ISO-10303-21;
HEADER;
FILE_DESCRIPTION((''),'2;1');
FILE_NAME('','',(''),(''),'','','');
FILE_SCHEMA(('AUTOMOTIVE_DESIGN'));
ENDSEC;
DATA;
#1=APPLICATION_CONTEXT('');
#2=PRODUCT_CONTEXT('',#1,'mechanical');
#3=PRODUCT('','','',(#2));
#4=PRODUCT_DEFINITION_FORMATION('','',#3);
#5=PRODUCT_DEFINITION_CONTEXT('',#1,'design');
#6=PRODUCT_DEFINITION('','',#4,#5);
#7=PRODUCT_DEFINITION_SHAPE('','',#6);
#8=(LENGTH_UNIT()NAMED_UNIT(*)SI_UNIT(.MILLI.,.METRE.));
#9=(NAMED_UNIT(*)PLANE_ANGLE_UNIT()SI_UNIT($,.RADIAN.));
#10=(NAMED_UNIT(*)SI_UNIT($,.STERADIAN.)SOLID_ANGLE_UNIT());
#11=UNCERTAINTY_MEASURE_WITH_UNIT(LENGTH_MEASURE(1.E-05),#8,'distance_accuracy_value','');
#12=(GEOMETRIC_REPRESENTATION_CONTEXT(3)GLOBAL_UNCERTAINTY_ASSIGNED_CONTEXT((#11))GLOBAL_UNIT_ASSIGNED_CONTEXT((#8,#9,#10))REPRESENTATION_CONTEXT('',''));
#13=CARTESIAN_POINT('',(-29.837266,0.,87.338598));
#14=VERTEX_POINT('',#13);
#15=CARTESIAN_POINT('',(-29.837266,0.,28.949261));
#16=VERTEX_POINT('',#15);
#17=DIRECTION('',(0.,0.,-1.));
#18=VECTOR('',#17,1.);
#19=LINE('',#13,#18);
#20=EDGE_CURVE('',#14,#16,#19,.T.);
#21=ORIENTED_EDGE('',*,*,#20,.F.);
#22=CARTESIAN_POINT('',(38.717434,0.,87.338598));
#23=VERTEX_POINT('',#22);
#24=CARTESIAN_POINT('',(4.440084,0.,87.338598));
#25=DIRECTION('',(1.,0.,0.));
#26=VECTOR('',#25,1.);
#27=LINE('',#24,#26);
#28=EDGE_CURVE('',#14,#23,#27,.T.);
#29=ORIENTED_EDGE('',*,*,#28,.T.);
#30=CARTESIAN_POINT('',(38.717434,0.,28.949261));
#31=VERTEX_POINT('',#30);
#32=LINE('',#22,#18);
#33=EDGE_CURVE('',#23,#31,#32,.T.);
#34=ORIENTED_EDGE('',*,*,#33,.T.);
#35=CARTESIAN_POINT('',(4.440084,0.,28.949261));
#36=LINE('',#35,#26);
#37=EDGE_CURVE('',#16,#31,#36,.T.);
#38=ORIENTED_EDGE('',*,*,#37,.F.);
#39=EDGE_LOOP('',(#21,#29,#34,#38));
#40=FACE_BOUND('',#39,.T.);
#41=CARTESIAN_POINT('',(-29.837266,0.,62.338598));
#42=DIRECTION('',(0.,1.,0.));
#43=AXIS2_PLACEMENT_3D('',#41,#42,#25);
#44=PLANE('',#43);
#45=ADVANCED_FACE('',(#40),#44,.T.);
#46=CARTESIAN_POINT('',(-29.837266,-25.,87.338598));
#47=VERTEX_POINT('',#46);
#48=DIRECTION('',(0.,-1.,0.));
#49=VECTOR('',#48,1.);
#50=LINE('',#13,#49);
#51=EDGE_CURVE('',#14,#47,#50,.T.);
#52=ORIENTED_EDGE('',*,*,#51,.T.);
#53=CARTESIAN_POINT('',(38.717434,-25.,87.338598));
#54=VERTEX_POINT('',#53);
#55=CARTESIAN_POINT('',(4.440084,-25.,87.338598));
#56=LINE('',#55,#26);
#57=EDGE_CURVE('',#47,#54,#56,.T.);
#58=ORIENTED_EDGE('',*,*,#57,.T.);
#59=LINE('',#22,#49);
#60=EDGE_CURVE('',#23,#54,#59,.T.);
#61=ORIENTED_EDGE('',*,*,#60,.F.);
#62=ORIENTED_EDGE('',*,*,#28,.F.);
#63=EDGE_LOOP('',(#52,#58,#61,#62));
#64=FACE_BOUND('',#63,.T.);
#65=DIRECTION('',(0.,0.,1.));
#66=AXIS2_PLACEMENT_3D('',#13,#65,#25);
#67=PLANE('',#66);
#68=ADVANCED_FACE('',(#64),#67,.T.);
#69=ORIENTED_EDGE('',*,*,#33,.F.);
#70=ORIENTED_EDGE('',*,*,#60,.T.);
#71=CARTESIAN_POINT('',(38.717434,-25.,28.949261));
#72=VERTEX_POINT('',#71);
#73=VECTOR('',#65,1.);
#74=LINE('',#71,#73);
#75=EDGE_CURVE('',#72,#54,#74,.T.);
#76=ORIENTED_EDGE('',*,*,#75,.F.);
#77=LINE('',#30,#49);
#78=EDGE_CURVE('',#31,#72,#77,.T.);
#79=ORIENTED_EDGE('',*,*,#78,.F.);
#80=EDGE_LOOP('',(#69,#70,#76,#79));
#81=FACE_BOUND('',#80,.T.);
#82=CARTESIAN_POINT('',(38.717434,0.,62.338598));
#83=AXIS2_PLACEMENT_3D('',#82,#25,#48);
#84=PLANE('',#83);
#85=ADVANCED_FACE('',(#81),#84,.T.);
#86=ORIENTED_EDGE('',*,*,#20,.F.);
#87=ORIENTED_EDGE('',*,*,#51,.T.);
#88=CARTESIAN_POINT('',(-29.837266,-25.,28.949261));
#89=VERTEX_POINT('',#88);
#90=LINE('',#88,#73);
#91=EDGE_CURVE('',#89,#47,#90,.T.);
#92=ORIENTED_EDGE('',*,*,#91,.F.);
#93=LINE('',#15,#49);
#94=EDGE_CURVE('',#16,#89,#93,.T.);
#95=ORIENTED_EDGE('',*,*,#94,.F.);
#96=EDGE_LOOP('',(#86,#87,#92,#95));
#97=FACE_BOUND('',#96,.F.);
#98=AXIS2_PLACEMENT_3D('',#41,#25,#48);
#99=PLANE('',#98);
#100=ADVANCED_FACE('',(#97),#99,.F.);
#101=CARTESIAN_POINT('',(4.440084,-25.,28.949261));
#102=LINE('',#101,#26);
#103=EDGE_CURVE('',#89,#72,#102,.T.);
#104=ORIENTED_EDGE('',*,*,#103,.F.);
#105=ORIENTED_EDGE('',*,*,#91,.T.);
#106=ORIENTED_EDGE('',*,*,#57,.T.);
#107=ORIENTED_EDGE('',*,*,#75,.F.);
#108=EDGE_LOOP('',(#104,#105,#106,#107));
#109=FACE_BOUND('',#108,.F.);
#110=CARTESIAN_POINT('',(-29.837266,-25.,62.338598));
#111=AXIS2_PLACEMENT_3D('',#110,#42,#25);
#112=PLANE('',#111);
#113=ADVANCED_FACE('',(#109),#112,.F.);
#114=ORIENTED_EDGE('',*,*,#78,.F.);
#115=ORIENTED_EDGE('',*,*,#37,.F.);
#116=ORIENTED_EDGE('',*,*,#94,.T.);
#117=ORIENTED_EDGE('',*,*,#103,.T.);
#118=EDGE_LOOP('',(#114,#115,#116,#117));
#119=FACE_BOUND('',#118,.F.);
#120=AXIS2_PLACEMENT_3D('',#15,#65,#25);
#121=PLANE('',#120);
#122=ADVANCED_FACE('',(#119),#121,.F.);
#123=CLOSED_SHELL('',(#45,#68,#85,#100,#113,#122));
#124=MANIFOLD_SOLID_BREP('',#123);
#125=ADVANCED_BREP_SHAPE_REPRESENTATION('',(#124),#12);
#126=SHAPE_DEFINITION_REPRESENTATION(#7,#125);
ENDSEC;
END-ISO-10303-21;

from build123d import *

# Parameters (mm, degrees)
F0_W     = 68.5546994209
F0_H     = 33.3893373609
F1_DEPTH = 25
F2_DEPTH = 25


with BuildPart() as f1:
    # F0 (on Front) → F1 (new body)
    with BuildSketch(Plane.XZ):
        with Locations((4.4400840998, 45.6439293921)):
            Rectangle(F0_W, F0_H)
    extrude(amount=F1_DEPTH)

    # F2 (add): a face of the model
    f2_faces = [f1.faces().sort_by_distance(p)[0] for p in [
        (4.4400840998, -12.5, 62.3385980725),
    ]]
    extrude(f2_faces, amount=F2_DEPTH)


solid = f1.part
